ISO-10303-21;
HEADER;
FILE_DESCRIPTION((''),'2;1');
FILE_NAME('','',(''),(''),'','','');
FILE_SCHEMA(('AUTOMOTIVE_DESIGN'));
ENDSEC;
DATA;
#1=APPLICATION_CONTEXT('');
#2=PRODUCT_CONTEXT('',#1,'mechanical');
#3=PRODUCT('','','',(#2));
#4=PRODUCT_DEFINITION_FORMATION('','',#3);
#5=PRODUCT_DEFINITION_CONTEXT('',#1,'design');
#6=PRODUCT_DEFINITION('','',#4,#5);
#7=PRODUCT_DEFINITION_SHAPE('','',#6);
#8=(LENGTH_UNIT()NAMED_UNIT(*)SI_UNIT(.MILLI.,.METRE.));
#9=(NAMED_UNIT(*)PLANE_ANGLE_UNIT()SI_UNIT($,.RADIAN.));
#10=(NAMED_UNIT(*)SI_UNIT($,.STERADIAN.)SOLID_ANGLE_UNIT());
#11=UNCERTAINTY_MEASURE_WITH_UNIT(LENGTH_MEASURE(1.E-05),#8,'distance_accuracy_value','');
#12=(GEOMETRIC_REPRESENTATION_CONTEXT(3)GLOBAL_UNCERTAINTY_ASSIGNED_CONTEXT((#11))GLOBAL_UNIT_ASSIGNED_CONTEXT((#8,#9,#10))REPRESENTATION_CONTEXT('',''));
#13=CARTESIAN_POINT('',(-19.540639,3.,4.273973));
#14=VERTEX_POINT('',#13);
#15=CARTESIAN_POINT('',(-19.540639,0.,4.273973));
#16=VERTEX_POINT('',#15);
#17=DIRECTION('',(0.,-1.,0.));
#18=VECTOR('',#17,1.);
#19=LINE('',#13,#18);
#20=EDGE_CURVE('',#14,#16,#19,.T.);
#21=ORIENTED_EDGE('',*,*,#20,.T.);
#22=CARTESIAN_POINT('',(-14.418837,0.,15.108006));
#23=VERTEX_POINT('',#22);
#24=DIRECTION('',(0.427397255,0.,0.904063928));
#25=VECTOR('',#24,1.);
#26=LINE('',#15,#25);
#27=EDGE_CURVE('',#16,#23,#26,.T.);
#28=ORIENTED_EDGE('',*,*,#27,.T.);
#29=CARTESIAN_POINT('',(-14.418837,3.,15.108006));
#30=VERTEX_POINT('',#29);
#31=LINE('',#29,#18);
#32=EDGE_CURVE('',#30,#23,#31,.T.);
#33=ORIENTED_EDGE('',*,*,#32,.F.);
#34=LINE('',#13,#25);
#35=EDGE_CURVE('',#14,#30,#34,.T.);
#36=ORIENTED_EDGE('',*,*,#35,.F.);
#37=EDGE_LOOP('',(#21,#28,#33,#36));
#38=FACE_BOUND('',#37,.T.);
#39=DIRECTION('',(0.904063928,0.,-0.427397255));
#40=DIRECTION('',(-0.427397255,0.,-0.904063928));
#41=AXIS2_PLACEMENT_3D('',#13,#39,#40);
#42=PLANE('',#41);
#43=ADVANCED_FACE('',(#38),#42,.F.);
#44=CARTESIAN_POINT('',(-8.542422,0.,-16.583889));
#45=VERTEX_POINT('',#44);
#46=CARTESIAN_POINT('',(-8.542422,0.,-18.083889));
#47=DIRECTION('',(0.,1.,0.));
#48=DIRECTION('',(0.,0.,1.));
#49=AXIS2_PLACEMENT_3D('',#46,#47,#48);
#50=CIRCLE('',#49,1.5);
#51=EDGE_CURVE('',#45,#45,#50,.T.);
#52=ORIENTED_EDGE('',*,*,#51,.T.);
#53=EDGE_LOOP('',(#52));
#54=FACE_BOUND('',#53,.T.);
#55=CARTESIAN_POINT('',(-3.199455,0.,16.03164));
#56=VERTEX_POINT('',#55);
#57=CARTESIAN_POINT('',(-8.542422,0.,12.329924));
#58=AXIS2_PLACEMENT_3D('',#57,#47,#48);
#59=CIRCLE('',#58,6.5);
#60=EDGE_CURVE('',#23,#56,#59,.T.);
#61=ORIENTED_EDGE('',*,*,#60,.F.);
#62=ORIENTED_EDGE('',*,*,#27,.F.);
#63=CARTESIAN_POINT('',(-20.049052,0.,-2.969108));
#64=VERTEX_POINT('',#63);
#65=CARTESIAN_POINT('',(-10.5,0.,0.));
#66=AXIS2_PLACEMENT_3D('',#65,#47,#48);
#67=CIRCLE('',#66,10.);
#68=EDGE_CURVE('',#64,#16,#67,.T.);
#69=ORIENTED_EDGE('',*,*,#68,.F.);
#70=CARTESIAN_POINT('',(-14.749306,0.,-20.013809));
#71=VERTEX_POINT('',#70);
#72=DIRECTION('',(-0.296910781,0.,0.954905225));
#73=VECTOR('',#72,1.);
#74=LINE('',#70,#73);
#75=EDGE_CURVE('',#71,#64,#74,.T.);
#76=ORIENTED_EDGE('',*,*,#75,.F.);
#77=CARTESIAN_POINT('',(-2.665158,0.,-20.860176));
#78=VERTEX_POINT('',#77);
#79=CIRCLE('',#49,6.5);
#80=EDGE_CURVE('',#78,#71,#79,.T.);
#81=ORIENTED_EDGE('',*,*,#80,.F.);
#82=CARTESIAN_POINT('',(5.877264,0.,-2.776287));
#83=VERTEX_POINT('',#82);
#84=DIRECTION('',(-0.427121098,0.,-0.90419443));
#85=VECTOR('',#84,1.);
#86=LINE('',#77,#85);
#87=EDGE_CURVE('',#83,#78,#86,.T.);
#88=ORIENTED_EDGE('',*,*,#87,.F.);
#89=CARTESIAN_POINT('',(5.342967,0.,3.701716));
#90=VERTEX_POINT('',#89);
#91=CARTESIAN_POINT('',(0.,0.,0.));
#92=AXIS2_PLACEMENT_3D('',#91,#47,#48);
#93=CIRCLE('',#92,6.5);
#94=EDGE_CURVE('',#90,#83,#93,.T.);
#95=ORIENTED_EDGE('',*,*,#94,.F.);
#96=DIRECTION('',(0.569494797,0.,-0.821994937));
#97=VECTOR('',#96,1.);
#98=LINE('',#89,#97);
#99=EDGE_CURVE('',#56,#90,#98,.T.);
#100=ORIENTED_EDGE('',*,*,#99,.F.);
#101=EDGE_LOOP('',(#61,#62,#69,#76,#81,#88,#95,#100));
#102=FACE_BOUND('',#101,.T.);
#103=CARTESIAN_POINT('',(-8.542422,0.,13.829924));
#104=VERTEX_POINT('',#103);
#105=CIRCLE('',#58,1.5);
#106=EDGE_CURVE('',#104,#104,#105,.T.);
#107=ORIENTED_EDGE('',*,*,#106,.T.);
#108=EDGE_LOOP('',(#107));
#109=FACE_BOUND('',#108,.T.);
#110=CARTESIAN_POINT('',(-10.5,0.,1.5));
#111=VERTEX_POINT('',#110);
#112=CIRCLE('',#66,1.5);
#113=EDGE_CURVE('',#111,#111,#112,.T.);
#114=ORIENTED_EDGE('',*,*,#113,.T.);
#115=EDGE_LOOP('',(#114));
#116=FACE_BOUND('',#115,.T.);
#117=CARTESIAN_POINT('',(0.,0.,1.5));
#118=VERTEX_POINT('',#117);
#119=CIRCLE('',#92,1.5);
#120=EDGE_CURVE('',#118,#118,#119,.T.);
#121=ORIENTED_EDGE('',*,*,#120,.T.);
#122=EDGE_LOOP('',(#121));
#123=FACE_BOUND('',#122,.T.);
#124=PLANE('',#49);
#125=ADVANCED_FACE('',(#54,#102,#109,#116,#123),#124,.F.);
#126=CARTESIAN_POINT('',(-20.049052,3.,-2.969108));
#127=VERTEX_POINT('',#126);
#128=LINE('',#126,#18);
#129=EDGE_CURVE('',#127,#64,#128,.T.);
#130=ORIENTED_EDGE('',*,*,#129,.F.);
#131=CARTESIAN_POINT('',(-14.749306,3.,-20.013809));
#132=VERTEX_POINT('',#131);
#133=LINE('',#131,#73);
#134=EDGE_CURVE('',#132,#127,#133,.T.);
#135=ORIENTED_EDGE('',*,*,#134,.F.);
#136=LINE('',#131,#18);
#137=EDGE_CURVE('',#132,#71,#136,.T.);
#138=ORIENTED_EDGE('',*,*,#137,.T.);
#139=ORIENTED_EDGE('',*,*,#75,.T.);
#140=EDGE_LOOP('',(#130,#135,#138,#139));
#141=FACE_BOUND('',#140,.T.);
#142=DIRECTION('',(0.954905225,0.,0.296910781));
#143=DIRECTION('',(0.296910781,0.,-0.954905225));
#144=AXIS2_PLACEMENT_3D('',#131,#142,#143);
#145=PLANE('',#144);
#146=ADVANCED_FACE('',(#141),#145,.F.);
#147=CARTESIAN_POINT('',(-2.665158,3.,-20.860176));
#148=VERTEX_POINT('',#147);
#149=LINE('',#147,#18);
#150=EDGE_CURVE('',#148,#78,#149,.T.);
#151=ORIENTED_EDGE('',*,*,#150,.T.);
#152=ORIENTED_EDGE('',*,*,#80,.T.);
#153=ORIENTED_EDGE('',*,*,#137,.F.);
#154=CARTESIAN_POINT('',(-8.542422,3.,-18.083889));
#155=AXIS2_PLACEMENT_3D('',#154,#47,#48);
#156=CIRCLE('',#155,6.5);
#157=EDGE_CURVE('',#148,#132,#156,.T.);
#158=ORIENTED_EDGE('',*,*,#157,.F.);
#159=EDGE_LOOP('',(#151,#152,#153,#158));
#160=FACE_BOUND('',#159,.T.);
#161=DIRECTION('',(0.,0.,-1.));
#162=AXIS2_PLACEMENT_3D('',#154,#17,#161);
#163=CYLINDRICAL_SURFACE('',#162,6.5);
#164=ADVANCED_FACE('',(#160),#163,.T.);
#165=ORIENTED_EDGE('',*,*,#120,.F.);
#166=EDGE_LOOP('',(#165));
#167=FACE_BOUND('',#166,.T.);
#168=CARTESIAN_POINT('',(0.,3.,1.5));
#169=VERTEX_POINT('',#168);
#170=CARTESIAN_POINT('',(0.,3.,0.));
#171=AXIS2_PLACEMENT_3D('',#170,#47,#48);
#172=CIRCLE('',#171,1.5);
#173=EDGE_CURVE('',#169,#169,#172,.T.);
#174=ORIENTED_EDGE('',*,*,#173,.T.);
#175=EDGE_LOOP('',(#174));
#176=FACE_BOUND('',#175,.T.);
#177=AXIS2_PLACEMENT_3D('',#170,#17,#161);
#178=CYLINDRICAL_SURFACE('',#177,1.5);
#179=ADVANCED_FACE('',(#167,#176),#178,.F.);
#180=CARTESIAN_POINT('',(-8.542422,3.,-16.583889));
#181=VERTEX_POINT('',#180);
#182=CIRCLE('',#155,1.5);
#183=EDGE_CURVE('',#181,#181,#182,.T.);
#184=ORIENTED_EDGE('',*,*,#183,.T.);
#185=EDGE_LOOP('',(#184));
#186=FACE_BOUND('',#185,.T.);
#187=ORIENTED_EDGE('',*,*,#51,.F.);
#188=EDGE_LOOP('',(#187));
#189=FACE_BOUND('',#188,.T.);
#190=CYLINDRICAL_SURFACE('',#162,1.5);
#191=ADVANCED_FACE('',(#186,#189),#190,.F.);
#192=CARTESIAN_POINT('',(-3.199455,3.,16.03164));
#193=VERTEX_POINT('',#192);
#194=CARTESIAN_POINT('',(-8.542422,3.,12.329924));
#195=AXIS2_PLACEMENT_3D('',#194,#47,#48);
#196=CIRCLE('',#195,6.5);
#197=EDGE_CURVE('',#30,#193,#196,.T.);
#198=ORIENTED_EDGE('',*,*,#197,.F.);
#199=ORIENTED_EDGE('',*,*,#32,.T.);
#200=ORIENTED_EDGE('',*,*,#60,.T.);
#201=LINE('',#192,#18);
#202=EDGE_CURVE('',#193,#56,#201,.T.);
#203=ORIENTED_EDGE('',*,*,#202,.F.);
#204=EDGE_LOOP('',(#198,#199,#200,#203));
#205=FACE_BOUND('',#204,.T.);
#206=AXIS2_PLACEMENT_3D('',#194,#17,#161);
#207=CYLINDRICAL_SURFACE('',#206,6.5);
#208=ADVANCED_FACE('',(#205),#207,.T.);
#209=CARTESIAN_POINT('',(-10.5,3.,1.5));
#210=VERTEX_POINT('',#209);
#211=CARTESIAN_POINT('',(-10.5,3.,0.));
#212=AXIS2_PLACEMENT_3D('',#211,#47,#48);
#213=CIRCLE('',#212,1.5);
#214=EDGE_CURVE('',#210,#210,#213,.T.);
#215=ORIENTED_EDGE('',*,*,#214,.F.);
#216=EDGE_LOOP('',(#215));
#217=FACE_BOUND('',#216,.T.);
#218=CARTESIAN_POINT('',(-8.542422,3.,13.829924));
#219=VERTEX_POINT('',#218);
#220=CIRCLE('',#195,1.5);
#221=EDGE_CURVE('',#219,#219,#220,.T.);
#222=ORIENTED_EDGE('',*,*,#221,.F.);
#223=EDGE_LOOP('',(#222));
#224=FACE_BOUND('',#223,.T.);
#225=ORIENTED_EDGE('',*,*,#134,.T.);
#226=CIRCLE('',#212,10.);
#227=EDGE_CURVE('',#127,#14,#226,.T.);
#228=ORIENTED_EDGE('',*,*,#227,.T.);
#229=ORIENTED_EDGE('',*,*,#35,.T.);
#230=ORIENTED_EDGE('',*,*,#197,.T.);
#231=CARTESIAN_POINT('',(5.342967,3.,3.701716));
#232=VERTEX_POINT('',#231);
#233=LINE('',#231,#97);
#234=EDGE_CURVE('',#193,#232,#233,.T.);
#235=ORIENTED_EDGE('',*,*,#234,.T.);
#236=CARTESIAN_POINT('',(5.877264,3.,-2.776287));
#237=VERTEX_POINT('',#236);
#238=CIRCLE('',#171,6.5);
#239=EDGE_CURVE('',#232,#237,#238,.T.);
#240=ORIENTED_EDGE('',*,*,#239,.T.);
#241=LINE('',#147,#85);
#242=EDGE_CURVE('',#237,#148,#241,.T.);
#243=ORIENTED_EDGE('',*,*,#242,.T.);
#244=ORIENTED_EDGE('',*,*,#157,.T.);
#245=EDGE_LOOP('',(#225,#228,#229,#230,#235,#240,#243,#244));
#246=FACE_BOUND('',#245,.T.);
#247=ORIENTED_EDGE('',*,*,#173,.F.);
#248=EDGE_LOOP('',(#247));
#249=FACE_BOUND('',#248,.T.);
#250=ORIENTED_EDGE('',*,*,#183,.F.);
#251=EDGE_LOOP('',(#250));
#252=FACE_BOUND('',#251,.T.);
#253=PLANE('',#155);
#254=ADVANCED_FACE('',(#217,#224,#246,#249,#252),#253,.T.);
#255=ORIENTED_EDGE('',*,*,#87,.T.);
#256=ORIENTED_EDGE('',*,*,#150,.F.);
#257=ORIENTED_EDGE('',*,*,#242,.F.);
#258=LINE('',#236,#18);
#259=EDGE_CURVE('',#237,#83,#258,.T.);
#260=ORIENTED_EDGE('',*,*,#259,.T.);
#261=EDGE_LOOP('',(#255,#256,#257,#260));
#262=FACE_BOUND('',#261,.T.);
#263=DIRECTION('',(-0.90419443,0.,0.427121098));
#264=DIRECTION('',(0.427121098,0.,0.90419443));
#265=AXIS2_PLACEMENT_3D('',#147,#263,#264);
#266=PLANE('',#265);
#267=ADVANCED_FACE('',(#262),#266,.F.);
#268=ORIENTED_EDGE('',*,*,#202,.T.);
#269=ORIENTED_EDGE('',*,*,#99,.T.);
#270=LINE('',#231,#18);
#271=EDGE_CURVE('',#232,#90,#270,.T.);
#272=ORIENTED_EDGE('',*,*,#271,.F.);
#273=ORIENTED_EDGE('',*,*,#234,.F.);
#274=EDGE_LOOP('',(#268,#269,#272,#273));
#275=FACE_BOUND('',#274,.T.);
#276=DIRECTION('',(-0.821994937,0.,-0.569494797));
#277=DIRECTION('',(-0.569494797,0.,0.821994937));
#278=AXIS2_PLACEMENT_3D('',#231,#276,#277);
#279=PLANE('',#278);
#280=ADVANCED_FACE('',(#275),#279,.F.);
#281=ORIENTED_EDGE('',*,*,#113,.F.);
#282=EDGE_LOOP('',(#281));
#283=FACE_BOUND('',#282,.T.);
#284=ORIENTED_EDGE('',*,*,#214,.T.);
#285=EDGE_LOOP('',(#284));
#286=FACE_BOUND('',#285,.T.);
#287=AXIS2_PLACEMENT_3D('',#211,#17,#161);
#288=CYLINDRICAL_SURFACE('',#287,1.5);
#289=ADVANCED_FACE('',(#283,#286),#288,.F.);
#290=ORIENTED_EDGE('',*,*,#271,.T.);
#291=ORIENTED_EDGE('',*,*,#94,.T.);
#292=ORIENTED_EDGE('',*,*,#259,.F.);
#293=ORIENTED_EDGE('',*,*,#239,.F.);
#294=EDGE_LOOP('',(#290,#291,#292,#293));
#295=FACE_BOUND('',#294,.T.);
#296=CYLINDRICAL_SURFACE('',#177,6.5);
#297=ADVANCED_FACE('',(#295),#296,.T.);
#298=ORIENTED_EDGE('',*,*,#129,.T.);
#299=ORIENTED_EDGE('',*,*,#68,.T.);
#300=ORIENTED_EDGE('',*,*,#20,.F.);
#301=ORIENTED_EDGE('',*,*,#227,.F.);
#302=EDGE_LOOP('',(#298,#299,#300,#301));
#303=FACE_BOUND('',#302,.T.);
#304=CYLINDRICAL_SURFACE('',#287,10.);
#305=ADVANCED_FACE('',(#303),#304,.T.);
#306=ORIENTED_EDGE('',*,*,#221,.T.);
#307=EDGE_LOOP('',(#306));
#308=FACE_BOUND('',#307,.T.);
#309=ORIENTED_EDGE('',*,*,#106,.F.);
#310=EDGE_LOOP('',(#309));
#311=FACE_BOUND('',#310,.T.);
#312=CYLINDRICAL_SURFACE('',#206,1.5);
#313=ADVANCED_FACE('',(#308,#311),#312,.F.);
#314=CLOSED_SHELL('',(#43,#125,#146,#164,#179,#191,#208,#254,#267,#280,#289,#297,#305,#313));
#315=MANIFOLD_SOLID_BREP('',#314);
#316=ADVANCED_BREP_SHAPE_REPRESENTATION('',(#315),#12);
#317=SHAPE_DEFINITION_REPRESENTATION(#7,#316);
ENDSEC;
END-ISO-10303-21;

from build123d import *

# Parameters (mm, degrees)
SKETCH_1_R      = 1.5
EXTRUDE_1_DEPTH = 3


with BuildPart() as part:
    # ｽｹｯﾁ1 → ﾎﾞｽ - 押し出し1 (new body)
    with BuildSketch(Plane(origin=(0, 0, 0), x_dir=(1, 0, 0), z_dir=(0, 1, 0))):
        with BuildLine():
            Line((-2.665158166, 20.860175741), (5.877263796, 2.776287138))
            ThreePointArc((5.877263796, 2.776287138), (6.478003321, -0.534296709), (5.342967087, -3.701716183))
            Line((5.342967087, -3.701716183), (-3.199454874, -16.031640231))
            ThreePointArc((-3.199454874, -16.031640231), (-9.075729345, -18.808008891), (-14.418837496, -15.108006205))
            Line((-14.418837496, -15.108006205), (-19.540639283, -4.273972549))
            ThreePointArc((-19.540639283, -4.273972549), (-20.475455432, -0.700206348), (-20.049052246, 2.969107814))
            Line((-20.049052246, 2.969107814), (-14.749305921, 20.013808683))
            ThreePointArc((-14.749305921, 20.013808683), (-8.99656584, 24.568004067), (-2.665158166, 20.860175741))
        make_face()
        with Locations(Location((0, 0, 0), (0, 0, 270))):
            Circle(SKETCH_1_R, mode=Mode.SUBTRACT)
        with Locations(Location((-8.542421962, 18.083888604, 0), (0, 0, 270))):
            Circle(SKETCH_1_R, mode=Mode.SUBTRACT)
        with Locations(Location((-8.542421962, -12.329924048, 0), (0, 0, 270))):
            Circle(SKETCH_1_R, mode=Mode.SUBTRACT)
        with Locations(Location((-10.5, 0, 0), (0, 0, 270))):
            Circle(SKETCH_1_R, mode=Mode.SUBTRACT)
    extrude(amount=EXTRUDE_1_DEPTH)


solid = part.part
